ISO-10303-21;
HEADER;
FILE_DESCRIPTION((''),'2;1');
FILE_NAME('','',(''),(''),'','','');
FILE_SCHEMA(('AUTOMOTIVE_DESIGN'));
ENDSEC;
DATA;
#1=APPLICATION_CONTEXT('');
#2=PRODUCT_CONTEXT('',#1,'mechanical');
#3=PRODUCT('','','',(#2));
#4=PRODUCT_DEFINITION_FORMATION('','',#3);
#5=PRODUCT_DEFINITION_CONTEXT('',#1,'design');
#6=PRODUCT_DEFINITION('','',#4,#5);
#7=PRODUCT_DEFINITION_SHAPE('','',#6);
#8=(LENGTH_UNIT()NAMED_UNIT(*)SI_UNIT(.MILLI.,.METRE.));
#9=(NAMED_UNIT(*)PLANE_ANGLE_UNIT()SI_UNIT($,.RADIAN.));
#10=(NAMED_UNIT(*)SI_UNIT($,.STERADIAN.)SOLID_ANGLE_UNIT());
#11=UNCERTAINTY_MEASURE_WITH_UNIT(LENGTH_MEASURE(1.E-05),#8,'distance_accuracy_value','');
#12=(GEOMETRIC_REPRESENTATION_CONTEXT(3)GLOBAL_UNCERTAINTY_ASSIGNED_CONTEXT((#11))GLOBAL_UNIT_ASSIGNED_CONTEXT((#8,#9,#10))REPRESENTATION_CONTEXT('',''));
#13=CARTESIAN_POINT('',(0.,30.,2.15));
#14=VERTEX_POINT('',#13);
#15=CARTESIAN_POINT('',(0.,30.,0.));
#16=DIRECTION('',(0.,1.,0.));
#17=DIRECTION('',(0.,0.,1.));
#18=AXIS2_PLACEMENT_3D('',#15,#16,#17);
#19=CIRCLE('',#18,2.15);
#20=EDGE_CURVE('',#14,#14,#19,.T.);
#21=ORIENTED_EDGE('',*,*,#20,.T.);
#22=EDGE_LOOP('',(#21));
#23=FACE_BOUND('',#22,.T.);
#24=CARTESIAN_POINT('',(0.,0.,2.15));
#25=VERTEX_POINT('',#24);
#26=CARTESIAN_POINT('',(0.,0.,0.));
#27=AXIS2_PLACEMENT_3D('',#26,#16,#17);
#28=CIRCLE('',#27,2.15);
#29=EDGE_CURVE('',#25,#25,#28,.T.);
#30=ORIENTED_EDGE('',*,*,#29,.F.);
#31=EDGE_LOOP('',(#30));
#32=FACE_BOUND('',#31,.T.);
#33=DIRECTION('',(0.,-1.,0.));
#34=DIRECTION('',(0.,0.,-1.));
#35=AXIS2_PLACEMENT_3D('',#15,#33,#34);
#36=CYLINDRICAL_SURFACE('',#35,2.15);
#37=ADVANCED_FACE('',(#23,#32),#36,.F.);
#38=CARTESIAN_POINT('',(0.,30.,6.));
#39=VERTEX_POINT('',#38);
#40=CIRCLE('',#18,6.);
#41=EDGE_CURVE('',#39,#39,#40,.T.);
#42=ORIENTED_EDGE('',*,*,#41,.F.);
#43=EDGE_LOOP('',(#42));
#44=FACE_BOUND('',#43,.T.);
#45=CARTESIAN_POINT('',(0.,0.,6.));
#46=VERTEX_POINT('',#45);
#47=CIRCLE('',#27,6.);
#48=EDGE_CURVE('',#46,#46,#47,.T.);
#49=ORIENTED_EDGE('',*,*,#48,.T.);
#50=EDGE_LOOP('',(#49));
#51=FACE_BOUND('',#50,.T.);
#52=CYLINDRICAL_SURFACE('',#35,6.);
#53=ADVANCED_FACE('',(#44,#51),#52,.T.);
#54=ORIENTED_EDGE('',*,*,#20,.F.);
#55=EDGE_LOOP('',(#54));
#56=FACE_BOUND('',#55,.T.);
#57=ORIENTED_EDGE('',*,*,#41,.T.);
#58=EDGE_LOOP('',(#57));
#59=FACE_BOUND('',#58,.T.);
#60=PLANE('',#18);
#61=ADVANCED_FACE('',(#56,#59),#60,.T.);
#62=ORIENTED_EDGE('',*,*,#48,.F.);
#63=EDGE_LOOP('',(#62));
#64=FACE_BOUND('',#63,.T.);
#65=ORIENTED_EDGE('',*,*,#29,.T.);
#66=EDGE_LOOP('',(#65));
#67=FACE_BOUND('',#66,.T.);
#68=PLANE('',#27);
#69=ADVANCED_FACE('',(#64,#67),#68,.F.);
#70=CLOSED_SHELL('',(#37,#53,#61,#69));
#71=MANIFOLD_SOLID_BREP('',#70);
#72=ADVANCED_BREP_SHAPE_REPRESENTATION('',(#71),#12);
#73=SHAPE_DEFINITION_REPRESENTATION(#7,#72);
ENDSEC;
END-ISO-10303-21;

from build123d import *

# Parameters (mm, degrees)
SKETCH_1_R      = 6
SKETCH_1_R_2    = 2.15
EXTRUDE_1_DEPTH = 30


with BuildPart() as part:
    # Эскиз1 → Бобышка-Вытянуть1 (new body)
    with BuildSketch(Plane(origin=(0, 0, 0), x_dir=(1, 0, 0), z_dir=(0, 1, 0))):
        with Locations(Location((0, 0, 0), (0, 0, 270))):
            Circle(SKETCH_1_R)
        with Locations(Location((0, 0, 0), (0, 0, 270))):
            Circle(SKETCH_1_R_2, mode=Mode.SUBTRACT)
    extrude(amount=EXTRUDE_1_DEPTH)


solid = part.part
